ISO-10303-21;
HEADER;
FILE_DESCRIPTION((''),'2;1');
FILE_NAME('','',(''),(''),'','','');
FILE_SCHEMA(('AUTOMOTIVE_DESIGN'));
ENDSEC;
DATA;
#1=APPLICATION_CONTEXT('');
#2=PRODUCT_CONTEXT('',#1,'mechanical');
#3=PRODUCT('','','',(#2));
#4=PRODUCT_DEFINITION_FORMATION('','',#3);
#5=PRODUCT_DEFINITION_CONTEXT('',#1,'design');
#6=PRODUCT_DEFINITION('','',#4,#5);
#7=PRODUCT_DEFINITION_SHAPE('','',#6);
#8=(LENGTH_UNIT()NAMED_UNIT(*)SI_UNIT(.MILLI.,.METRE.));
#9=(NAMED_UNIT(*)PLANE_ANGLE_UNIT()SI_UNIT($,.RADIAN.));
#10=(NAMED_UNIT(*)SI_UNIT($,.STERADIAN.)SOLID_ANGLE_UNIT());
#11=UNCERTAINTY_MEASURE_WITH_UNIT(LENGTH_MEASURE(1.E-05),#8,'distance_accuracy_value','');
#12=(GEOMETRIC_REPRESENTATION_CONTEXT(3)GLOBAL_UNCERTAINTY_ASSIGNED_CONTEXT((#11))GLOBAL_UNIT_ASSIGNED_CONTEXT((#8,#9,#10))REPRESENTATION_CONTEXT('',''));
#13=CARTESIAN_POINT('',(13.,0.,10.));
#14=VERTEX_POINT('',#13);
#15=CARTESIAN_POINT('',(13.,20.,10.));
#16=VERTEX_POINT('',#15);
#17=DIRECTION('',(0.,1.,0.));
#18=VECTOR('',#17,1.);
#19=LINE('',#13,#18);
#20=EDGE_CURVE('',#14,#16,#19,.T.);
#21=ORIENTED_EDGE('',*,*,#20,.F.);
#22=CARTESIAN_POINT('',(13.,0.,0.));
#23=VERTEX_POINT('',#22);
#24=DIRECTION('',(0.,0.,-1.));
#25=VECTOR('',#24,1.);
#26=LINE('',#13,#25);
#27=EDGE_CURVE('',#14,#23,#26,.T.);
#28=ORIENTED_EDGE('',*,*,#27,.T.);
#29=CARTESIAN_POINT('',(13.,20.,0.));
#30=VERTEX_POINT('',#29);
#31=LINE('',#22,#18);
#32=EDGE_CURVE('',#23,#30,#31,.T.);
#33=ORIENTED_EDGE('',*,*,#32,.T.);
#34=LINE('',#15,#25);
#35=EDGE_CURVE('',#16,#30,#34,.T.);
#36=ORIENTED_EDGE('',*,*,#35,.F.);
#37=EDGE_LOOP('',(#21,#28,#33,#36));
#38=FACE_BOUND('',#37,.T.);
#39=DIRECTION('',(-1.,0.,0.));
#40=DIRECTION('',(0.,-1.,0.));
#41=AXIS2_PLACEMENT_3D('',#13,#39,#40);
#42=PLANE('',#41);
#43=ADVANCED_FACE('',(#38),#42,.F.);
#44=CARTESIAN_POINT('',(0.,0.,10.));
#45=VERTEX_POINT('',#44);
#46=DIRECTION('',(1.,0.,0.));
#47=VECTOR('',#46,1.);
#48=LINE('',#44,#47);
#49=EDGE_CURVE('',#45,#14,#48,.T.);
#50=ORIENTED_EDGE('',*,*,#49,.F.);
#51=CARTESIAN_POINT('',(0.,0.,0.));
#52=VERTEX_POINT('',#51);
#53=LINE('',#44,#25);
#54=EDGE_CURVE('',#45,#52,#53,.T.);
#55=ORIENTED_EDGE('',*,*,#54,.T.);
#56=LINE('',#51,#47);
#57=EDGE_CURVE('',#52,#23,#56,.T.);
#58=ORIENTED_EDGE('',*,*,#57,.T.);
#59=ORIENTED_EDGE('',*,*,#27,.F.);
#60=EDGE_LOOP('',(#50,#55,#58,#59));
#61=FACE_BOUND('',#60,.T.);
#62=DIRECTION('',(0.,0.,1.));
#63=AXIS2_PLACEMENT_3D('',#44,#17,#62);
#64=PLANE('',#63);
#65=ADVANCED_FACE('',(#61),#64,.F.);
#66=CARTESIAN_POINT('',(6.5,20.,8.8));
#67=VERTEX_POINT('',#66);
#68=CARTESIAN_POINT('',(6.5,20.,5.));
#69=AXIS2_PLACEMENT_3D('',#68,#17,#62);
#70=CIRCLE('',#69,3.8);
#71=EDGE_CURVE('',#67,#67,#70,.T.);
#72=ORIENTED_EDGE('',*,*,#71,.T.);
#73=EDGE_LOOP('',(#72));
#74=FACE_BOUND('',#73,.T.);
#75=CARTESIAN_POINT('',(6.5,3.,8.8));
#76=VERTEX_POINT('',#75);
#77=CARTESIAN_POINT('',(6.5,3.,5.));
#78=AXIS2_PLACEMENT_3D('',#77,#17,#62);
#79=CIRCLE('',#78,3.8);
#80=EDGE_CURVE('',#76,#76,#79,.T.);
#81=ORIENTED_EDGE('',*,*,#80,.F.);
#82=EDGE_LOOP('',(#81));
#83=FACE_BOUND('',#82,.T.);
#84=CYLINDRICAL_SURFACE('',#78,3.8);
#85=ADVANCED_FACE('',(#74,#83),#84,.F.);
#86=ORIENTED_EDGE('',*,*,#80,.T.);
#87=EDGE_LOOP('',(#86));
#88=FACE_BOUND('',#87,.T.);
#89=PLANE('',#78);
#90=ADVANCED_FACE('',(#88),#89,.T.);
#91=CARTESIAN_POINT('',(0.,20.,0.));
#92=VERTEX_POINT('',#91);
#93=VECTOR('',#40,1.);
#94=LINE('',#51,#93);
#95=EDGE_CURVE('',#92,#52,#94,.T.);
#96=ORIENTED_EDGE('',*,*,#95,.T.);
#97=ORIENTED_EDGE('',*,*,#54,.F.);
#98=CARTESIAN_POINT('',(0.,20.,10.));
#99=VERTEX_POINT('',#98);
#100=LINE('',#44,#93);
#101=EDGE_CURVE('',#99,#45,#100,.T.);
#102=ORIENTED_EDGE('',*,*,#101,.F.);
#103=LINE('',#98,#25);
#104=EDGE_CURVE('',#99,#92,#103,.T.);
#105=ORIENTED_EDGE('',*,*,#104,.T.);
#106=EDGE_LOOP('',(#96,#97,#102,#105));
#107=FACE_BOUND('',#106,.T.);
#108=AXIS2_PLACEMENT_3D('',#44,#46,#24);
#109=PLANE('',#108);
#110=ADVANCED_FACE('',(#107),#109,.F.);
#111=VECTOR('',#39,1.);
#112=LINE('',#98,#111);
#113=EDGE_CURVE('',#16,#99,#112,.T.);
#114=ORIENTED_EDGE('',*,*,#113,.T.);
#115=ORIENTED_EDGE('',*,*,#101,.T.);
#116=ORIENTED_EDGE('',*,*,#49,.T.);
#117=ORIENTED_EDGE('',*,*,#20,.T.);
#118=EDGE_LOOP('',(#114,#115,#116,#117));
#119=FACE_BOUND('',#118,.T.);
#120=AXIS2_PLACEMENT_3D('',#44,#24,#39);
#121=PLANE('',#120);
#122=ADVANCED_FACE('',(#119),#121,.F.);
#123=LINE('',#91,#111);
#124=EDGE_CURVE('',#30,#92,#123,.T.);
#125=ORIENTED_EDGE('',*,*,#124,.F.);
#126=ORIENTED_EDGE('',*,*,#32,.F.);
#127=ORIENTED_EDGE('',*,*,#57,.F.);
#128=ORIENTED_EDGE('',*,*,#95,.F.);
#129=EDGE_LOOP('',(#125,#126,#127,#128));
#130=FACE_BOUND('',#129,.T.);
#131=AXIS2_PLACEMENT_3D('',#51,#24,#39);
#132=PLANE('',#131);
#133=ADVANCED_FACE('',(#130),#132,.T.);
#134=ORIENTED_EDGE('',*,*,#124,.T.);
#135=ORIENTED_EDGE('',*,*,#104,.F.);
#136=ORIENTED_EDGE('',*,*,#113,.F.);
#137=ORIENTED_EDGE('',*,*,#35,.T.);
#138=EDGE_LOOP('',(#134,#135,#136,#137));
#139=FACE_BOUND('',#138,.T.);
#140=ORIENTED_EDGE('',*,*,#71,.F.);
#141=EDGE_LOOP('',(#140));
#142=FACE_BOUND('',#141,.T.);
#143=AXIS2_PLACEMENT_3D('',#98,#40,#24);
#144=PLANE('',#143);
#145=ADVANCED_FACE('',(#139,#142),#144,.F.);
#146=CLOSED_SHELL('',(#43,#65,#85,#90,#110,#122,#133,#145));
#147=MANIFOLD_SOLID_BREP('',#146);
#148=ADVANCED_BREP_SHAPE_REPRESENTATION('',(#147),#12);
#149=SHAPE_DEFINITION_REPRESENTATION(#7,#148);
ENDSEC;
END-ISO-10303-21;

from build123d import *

# Parameters (mm, degrees)
SKETCH3_W           = 13
SKETCH3_H           = 20
BOSS_EXTRUDE1_DEPTH = 10
SKETCH4_R           = 3.8
CUT_EXTRUDE1_DEPTH  = 17


with BuildPart() as part:
    # Sketch3 → Boss-Extrude1 (new body)
    with BuildSketch(Plane.XY):
        with Locations((6.5, 10)):
            Rectangle(SKETCH3_W, SKETCH3_H)
    extrude(amount=BOSS_EXTRUDE1_DEPTH)

    # Sketch4 → Cut-Extrude1 (cut)
    with BuildSketch(Plane(origin=(0, 20, 0), x_dir=(1, 0, 0), z_dir=(0, 1, 0))):
        with Locations((6.5, -5)):
            Circle(SKETCH4_R)
    extrude(amount=-CUT_EXTRUDE1_DEPTH, mode=Mode.SUBTRACT)


solid = part.part
